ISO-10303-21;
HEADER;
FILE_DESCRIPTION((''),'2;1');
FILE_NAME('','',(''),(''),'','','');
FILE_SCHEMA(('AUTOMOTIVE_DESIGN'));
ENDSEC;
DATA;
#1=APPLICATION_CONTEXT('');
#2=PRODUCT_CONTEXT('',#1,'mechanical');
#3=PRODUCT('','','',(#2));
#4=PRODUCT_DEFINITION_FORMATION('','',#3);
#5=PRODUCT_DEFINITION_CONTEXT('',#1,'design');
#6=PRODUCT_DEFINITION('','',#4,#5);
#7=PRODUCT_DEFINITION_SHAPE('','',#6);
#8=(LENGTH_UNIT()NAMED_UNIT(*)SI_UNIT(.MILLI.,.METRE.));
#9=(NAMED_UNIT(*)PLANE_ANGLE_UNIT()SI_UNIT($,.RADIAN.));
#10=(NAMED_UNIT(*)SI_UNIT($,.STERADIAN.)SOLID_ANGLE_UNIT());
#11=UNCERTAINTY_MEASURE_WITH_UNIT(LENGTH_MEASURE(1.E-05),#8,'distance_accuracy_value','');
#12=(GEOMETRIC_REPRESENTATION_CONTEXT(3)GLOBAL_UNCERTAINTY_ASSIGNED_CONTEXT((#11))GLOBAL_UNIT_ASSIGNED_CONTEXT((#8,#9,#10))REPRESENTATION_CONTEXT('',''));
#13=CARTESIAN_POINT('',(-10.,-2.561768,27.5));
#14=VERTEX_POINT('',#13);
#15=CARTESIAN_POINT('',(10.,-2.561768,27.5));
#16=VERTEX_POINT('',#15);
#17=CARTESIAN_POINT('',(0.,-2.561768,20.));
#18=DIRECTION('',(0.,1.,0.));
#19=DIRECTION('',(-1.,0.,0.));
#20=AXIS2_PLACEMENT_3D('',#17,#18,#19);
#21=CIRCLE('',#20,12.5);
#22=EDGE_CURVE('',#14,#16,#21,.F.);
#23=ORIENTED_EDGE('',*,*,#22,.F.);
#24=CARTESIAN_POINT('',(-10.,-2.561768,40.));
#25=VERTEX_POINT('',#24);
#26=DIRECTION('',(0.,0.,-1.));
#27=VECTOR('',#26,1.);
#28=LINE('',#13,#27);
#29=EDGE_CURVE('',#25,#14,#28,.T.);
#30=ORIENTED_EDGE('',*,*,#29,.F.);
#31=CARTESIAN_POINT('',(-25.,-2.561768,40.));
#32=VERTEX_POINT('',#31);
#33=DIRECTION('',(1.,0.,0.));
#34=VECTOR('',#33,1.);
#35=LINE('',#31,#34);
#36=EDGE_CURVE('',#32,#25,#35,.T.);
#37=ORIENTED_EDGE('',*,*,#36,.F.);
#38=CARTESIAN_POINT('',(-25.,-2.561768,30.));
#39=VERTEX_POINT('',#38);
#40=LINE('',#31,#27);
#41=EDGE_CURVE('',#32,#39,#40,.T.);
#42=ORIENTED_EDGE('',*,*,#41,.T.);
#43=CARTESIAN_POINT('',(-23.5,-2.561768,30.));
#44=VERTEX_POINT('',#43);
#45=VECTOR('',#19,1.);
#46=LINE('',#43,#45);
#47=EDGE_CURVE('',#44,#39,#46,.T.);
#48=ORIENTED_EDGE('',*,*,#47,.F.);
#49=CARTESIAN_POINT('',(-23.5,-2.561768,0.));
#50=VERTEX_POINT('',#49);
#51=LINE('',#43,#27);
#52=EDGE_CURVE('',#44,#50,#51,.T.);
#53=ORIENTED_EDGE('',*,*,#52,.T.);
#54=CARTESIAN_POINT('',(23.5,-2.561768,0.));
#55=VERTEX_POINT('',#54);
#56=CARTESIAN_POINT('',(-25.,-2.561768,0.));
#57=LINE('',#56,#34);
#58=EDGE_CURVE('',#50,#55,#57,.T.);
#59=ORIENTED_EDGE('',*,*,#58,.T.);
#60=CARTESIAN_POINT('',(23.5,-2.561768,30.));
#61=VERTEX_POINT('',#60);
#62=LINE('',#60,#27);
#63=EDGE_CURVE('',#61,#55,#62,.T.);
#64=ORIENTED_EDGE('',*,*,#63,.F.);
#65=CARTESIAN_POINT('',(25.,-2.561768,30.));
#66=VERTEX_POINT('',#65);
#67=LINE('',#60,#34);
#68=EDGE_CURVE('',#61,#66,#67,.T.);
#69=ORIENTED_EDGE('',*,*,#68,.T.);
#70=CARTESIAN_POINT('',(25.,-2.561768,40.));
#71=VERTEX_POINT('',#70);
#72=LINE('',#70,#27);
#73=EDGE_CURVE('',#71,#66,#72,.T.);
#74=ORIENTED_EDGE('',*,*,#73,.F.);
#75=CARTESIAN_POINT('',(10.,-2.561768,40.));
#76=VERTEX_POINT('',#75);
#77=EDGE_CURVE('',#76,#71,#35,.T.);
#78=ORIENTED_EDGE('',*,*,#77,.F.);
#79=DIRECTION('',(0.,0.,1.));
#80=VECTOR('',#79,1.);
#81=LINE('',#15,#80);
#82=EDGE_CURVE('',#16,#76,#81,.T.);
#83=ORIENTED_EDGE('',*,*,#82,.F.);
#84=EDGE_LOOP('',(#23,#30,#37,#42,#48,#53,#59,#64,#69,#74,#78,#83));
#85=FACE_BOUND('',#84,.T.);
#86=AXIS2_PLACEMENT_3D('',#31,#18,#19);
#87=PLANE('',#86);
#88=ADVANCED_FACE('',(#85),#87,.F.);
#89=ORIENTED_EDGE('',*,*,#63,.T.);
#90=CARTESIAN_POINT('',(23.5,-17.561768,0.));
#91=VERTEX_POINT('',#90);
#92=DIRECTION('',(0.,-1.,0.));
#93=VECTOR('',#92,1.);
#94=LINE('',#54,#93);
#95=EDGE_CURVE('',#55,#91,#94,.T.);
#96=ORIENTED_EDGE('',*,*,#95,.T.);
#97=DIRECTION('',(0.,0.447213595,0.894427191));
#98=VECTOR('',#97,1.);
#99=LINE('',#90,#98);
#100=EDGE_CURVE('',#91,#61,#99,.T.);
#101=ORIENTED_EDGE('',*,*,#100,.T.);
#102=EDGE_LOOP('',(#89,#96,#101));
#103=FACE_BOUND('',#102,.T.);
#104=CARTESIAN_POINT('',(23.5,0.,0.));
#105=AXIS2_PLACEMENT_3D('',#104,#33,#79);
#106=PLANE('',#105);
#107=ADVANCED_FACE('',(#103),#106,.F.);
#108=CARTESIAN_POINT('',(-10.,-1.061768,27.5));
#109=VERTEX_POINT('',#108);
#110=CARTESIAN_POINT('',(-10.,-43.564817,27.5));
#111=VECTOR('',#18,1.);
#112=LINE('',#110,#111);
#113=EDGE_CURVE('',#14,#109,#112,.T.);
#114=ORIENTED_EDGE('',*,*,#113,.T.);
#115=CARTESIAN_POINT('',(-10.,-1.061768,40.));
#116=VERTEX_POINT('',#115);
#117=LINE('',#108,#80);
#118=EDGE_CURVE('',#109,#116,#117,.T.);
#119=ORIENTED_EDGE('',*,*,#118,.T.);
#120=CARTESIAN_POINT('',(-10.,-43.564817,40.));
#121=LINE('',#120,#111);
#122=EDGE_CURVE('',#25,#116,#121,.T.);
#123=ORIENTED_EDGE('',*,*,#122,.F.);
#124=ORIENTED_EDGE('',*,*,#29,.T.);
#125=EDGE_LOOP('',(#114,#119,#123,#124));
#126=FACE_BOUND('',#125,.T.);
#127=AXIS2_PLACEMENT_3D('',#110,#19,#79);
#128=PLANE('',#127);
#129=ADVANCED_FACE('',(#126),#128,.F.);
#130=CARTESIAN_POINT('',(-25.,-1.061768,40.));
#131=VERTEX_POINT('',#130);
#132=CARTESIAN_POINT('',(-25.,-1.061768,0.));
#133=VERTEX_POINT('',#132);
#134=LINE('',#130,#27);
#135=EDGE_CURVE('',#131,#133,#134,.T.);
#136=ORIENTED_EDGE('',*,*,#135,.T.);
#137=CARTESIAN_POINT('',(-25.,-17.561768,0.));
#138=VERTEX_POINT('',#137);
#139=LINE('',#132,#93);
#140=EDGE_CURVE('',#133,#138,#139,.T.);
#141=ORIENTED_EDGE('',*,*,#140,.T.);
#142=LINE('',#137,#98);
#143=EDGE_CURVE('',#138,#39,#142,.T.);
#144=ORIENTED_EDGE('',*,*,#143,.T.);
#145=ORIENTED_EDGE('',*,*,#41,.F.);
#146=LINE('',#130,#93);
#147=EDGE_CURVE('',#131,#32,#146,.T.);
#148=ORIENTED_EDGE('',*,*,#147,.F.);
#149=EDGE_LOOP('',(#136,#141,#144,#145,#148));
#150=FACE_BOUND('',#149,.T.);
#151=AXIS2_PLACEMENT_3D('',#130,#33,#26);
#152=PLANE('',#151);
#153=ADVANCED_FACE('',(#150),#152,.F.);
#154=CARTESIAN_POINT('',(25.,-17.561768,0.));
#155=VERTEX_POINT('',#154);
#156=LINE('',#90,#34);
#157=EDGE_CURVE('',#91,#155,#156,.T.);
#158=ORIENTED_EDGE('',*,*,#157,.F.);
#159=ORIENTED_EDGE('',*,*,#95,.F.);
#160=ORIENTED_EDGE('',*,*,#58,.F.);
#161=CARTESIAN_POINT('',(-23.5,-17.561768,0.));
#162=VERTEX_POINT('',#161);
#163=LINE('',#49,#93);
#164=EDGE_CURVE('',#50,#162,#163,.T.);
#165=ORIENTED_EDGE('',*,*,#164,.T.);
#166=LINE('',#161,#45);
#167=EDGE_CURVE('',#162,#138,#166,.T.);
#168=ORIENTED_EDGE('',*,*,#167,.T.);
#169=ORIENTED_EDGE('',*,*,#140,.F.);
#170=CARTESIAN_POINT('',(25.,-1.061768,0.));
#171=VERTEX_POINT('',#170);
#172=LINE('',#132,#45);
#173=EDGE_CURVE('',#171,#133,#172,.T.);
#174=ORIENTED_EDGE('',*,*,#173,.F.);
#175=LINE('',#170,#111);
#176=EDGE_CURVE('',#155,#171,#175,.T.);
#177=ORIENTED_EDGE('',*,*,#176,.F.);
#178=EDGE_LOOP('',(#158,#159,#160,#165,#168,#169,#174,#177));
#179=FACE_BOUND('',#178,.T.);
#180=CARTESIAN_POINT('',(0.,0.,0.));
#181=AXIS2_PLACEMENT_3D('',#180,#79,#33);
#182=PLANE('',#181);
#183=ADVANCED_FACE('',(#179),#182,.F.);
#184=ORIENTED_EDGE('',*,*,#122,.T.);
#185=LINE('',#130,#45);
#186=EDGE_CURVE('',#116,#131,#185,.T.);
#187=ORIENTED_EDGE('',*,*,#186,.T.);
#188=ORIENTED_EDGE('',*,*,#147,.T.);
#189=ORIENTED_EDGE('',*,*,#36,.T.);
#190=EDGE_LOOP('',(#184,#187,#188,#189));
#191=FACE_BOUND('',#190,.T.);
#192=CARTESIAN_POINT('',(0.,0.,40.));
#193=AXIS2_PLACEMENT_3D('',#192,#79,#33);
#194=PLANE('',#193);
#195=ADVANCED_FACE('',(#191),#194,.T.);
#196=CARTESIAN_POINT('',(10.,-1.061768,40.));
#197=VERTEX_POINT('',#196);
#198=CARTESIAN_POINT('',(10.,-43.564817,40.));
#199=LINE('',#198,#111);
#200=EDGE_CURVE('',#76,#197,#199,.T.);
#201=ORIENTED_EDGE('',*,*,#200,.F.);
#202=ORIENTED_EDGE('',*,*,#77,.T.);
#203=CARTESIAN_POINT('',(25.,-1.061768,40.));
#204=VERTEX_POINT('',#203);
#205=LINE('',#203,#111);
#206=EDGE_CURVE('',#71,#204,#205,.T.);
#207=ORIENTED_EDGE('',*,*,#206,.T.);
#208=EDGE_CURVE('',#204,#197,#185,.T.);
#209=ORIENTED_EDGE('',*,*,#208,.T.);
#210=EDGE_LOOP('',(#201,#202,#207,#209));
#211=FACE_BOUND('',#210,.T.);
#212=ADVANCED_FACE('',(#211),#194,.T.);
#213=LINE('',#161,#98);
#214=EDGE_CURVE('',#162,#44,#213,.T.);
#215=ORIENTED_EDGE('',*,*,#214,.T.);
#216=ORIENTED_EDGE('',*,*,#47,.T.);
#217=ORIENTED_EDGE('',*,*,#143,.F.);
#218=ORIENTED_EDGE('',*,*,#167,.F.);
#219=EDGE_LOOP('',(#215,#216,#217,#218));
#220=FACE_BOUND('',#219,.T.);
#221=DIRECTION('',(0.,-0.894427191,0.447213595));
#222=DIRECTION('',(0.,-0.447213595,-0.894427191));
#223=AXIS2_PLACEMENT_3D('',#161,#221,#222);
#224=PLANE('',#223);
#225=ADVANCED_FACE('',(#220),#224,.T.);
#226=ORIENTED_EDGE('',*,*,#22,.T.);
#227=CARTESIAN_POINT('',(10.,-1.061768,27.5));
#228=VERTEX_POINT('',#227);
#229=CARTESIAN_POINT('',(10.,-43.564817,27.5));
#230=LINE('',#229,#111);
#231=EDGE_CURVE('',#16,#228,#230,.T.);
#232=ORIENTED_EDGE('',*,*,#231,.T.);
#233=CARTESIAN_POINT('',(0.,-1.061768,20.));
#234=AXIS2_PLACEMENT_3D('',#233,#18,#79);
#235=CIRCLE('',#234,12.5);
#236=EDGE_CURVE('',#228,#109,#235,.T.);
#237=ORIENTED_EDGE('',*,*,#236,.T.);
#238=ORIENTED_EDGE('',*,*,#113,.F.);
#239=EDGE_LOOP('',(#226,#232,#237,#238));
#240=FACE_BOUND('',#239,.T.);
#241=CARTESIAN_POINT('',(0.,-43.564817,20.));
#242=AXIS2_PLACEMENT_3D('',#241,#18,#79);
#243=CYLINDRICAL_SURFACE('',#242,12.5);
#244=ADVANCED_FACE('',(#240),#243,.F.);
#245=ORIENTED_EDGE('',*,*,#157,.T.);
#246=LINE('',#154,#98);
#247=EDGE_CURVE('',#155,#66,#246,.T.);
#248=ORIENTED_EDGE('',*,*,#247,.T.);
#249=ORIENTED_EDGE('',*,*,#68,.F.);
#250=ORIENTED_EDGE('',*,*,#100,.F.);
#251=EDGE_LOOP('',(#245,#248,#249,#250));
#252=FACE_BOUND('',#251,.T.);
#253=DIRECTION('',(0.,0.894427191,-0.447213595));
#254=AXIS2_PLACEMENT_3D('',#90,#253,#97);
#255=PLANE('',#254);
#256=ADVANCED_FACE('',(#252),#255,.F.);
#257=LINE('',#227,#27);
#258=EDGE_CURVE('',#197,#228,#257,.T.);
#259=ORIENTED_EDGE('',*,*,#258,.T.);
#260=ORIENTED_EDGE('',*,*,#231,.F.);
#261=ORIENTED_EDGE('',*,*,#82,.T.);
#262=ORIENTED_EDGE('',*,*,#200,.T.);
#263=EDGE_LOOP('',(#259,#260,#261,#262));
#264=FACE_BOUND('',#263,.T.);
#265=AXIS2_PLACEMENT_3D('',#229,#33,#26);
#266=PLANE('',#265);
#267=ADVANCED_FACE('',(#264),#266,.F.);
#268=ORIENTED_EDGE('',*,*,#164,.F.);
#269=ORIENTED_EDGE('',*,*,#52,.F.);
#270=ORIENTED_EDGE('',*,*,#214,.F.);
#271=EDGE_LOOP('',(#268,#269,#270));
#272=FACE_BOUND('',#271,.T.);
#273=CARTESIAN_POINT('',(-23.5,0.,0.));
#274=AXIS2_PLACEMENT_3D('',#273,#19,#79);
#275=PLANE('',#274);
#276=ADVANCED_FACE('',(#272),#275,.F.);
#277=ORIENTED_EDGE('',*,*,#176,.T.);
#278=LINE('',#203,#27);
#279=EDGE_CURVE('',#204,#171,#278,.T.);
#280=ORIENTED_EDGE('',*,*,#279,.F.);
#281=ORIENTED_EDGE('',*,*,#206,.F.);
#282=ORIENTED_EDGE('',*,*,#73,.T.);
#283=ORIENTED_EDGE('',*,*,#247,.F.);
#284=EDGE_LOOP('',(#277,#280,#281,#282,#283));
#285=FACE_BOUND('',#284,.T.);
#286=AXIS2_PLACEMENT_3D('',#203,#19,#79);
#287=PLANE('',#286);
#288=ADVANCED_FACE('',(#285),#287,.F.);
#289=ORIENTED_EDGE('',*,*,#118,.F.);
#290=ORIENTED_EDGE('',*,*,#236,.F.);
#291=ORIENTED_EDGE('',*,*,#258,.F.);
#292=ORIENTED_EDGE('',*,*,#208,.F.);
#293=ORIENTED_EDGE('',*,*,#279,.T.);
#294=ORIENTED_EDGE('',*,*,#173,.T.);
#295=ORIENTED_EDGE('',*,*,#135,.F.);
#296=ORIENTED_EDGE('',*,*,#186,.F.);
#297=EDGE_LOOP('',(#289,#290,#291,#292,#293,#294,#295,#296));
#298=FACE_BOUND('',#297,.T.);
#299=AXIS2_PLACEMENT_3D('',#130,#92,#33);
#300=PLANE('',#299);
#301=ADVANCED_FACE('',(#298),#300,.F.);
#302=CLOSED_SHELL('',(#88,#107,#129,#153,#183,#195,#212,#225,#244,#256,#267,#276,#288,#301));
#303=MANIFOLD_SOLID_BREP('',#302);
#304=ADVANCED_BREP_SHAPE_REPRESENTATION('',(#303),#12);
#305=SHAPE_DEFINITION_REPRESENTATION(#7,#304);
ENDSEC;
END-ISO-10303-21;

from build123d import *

# Parameters (mm, degrees)
SKETCH1_W           = 50
SKETCH1_H           = 1.5
BOSS_EXTRUDE1_DEPTH = 40
CUT_EXTRUDE1_DEPTH  = 1.5
BOSS_EXTRUDE2_DEPTH = 1.5


with BuildPart() as part:
    # Sketch1 → Boss-Extrude1 (new body)
    with BuildSketch(Plane.XY):
        with Locations((0, -1.811768481)):
            Rectangle(SKETCH1_W, SKETCH1_H)
    extrude(amount=BOSS_EXTRUDE1_DEPTH)

    # Sketch2 → Cut-Extrude1 (cut)
    with BuildSketch(Plane(origin=(0, -1.061768481, 0), x_dir=(1, 0, 0), z_dir=(0, 1, 0))):
        with BuildLine():
            Line((-10, -27.5), (-10, -40))
            Line((-10, -40), (10, -40))
            Line((10, -40), (10, -27.5))
            ThreePointArc((10, -27.5), (0, -7.5), (-10, -27.5))
        make_face()
    extrude(amount=-CUT_EXTRUDE1_DEPTH, mode=Mode.SUBTRACT)

    # Sketch4 → Boss-Extrude2 (add)
    with BuildSketch(Plane.ZY.offset(25)):
        Polygon((0, -2.561768481), (0, -17.561768481), (30, -2.561768481), align=None)
    boss_extrude2 = extrude(amount=-BOSS_EXTRUDE2_DEPTH)

    # Mirror1: Boss-Extrude2 across plane
    add(boss_extrude2.mirror(Plane(origin=(0, 0, 0), x_dir=(0, 0, 1), z_dir=(1, 0, 0))))


solid = part.part
